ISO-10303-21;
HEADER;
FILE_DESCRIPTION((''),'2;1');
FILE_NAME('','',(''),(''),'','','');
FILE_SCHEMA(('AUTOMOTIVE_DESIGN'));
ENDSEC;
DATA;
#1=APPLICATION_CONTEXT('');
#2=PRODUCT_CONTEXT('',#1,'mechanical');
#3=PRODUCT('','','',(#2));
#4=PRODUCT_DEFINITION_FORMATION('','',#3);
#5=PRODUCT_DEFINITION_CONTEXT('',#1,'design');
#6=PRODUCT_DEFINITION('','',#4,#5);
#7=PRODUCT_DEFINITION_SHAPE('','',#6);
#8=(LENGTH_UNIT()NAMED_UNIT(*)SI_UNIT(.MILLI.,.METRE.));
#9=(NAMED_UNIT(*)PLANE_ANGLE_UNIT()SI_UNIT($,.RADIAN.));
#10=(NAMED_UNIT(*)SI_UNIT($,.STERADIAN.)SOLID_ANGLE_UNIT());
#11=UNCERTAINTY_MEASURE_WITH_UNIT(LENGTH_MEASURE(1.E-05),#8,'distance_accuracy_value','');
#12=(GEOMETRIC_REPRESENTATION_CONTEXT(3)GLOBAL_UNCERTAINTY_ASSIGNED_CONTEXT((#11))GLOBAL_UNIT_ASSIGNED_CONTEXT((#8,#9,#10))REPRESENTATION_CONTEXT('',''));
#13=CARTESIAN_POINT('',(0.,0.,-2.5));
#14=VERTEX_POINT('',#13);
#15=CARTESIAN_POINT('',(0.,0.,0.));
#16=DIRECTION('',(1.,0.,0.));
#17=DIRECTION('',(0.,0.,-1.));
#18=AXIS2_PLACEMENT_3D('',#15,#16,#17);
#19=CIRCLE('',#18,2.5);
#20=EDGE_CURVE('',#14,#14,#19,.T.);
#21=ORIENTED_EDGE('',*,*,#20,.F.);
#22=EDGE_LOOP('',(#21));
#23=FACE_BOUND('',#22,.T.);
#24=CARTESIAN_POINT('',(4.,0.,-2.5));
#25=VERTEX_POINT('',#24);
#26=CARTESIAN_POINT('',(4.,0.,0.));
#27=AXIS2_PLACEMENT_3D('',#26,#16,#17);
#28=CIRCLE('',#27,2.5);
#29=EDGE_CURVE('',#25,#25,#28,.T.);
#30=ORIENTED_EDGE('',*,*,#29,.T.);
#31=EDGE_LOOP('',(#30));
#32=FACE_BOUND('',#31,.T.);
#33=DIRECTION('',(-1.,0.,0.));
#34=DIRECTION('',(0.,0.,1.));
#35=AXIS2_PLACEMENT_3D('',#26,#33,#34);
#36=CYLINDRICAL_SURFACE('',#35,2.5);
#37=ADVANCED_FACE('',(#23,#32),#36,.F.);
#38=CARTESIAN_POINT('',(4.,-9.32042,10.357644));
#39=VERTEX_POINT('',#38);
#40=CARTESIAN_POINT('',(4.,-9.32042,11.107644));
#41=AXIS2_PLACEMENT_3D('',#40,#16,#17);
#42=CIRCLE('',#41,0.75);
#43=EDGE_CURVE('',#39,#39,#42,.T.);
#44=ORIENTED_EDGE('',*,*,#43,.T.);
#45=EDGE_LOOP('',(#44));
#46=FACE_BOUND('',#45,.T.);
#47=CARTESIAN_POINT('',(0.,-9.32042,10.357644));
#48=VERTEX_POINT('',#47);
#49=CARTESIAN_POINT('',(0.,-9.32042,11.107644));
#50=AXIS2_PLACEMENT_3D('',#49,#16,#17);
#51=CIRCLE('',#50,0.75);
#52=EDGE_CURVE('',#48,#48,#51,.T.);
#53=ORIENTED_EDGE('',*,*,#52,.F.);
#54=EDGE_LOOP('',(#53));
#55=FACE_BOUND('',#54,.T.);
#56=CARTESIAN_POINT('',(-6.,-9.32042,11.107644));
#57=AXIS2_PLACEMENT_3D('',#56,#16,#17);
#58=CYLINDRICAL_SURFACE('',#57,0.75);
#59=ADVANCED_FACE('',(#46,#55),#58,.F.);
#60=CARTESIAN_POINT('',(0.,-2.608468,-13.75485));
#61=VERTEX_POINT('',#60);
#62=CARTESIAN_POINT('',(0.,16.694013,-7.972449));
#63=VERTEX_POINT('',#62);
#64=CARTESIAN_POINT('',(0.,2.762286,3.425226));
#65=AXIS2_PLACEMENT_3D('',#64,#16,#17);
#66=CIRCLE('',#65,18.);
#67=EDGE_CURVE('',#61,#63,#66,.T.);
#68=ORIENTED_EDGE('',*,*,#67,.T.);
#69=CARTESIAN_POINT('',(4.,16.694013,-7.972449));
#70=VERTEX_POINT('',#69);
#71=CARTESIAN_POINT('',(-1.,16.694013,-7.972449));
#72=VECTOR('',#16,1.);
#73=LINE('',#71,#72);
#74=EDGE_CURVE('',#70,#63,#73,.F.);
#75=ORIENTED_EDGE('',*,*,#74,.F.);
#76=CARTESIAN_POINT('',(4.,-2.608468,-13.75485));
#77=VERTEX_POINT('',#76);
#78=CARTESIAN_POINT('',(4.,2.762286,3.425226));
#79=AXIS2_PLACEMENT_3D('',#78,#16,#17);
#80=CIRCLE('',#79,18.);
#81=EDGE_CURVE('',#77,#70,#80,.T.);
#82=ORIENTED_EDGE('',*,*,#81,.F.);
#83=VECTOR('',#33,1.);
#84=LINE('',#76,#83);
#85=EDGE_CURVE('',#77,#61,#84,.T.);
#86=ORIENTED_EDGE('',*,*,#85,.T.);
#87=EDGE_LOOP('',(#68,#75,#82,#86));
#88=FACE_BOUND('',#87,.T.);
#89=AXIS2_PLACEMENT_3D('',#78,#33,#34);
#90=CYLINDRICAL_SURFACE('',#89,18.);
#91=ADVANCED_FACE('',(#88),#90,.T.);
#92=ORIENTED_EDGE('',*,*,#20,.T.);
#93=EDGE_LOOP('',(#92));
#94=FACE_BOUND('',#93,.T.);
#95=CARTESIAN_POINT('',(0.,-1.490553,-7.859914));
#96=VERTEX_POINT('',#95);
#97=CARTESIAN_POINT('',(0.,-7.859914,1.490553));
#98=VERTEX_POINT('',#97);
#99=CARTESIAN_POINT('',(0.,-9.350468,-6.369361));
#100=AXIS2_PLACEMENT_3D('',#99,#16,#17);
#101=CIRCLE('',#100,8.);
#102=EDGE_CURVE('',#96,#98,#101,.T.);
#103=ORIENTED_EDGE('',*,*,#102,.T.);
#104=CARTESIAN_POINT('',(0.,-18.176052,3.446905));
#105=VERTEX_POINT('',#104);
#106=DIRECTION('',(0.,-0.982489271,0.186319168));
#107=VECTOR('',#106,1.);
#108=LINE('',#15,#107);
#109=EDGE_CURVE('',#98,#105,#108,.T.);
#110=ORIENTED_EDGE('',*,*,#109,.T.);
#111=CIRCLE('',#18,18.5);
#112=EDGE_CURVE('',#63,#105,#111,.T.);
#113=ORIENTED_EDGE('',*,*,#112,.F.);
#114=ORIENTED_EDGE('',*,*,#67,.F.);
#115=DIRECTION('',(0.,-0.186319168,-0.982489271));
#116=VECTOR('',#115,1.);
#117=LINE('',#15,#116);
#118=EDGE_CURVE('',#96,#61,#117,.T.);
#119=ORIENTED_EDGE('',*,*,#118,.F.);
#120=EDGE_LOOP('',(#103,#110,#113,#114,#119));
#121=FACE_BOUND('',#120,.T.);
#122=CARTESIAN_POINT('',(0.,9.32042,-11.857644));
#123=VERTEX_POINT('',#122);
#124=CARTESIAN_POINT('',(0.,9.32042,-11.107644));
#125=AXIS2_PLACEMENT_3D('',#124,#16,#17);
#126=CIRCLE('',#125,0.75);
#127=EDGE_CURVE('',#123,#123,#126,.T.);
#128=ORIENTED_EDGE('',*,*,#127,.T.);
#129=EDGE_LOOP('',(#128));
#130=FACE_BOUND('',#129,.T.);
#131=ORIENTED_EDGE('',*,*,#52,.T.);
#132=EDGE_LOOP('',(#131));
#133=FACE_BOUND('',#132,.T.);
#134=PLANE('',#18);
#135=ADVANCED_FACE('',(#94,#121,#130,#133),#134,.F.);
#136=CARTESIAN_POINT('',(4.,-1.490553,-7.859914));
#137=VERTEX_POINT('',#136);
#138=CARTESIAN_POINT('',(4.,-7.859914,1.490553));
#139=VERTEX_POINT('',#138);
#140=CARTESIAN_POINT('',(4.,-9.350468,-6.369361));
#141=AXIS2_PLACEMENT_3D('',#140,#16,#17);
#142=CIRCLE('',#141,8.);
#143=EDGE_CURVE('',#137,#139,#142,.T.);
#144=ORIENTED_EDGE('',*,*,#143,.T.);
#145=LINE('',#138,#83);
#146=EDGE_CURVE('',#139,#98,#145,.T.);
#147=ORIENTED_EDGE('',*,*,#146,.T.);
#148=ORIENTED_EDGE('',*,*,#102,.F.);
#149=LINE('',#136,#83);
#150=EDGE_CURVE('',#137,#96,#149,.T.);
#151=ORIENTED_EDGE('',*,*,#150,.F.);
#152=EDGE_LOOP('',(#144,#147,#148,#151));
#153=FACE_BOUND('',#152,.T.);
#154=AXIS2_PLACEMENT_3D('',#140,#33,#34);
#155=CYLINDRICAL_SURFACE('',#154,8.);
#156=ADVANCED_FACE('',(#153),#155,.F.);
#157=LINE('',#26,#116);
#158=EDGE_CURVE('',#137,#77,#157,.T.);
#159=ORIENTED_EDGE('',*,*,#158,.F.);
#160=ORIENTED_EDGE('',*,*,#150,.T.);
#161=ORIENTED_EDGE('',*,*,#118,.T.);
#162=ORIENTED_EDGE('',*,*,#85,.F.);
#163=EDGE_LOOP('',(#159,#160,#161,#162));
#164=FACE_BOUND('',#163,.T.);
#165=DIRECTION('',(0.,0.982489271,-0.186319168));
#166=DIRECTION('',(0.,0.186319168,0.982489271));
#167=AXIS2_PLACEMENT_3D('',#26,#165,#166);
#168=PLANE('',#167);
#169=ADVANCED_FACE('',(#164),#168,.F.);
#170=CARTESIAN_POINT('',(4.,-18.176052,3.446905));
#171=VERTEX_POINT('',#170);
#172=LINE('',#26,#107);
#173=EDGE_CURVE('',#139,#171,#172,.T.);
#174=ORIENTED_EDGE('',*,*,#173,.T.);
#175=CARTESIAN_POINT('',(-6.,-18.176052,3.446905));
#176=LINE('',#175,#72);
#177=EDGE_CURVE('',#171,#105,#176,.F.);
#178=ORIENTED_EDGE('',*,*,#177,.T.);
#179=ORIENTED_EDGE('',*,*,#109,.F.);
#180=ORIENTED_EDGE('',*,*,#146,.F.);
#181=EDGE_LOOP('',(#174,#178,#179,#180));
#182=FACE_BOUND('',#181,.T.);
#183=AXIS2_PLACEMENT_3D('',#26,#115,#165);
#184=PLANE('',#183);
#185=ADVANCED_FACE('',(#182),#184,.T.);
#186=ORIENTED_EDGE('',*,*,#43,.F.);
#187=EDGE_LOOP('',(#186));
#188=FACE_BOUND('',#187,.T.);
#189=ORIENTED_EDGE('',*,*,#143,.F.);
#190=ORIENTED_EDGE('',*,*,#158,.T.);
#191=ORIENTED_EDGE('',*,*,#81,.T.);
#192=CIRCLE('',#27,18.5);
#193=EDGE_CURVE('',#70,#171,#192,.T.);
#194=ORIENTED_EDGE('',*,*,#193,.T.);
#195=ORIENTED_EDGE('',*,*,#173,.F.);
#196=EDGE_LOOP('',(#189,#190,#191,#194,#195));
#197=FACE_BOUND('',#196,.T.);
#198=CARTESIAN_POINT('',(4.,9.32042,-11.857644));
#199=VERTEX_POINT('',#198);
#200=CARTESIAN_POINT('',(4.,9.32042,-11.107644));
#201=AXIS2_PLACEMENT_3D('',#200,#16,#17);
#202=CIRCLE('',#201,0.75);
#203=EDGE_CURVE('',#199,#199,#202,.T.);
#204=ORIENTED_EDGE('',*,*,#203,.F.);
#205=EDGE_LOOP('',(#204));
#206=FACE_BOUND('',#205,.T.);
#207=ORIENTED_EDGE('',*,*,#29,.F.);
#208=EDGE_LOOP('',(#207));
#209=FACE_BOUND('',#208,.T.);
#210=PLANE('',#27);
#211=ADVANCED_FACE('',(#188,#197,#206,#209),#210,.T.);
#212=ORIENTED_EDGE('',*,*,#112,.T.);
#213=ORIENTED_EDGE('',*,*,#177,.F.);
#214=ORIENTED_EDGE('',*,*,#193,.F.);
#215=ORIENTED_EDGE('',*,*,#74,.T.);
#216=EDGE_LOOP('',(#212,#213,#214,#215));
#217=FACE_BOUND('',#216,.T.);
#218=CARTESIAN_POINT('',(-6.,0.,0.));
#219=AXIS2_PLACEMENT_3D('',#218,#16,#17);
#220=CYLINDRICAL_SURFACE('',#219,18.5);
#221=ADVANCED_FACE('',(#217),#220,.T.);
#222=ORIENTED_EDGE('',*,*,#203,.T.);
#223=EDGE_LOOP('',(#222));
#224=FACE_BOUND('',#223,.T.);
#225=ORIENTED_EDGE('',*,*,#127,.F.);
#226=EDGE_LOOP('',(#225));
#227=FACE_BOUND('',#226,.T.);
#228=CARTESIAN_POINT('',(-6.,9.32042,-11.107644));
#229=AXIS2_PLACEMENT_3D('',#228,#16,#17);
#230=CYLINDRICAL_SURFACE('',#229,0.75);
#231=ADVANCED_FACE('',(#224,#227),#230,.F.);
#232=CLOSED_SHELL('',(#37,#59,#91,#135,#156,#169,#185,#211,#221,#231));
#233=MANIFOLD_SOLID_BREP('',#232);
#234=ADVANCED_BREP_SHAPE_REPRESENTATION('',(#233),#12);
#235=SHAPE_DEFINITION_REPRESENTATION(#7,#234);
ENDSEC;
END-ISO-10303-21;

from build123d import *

# Parameters (mm, degrees)
SKETCH_1_R          = 2.5
EXTRUDE_1_DEPTH     = 4
SKETCH_2_R          = 0.75
CUT_EXTRUDE_1_DEPTH = 10
SKETCH_3_R          = 25.464829655
SKETCH_3_R_2        = 18.5
CUT_EXTRUDE_2_DEPTH = 10


with BuildPart() as part:
    # Эскиз1 → Бобышка-Вытянуть1 (new body)
    with BuildSketch(Plane(origin=(0, 0, 0), x_dir=(0, 0, -1), z_dir=(1, 0, 0))):
        with BuildLine():
            Line((7.85991422, -1.49055335), (13.754849795, -2.608468346))
            ThreePointArc((13.754849795, -2.608468346), (13.231778891, 9.584616389), (5.051373997, 18.641431188))
            ThreePointArc((5.051373997, 18.641431188), (-18.822494325, 4.328168593), (-3.59851409, -18.975511385))
            Line((-3.59851409, -18.975511385), (-1.490553351, -7.859914224))
            ThreePointArc((-1.490553351, -7.859914224), (1.865542593, -2.738688528), (7.85991422, -1.49055335))
        make_face()
        Circle(SKETCH_1_R, mode=Mode.SUBTRACT)
    extrude(amount=EXTRUDE_1_DEPTH)

    # Эскиз2 → Вырез-Вытянуть1 (cut)
    with BuildSketch(Plane(origin=(4, 0, 0), x_dir=(0, 0, -1), z_dir=(1, 0, 0))):
        with Locations((-11.107644425, -9.32042034)):
            Circle(SKETCH_2_R)
        with Locations((11.107644425, 9.32042034)):
            Circle(SKETCH_2_R)
    extrude(amount=-CUT_EXTRUDE_1_DEPTH, mode=Mode.SUBTRACT)

    # Эскиз3 → Вырез-Вытянуть2 (cut)
    with BuildSketch(Plane(origin=(4, 0, 0), x_dir=(0, 0, -1), z_dir=(1, 0, 0))):
        Circle(SKETCH_3_R)
        Circle(SKETCH_3_R_2, mode=Mode.SUBTRACT)
    extrude(amount=-CUT_EXTRUDE_2_DEPTH, mode=Mode.SUBTRACT)


solid = part.part
